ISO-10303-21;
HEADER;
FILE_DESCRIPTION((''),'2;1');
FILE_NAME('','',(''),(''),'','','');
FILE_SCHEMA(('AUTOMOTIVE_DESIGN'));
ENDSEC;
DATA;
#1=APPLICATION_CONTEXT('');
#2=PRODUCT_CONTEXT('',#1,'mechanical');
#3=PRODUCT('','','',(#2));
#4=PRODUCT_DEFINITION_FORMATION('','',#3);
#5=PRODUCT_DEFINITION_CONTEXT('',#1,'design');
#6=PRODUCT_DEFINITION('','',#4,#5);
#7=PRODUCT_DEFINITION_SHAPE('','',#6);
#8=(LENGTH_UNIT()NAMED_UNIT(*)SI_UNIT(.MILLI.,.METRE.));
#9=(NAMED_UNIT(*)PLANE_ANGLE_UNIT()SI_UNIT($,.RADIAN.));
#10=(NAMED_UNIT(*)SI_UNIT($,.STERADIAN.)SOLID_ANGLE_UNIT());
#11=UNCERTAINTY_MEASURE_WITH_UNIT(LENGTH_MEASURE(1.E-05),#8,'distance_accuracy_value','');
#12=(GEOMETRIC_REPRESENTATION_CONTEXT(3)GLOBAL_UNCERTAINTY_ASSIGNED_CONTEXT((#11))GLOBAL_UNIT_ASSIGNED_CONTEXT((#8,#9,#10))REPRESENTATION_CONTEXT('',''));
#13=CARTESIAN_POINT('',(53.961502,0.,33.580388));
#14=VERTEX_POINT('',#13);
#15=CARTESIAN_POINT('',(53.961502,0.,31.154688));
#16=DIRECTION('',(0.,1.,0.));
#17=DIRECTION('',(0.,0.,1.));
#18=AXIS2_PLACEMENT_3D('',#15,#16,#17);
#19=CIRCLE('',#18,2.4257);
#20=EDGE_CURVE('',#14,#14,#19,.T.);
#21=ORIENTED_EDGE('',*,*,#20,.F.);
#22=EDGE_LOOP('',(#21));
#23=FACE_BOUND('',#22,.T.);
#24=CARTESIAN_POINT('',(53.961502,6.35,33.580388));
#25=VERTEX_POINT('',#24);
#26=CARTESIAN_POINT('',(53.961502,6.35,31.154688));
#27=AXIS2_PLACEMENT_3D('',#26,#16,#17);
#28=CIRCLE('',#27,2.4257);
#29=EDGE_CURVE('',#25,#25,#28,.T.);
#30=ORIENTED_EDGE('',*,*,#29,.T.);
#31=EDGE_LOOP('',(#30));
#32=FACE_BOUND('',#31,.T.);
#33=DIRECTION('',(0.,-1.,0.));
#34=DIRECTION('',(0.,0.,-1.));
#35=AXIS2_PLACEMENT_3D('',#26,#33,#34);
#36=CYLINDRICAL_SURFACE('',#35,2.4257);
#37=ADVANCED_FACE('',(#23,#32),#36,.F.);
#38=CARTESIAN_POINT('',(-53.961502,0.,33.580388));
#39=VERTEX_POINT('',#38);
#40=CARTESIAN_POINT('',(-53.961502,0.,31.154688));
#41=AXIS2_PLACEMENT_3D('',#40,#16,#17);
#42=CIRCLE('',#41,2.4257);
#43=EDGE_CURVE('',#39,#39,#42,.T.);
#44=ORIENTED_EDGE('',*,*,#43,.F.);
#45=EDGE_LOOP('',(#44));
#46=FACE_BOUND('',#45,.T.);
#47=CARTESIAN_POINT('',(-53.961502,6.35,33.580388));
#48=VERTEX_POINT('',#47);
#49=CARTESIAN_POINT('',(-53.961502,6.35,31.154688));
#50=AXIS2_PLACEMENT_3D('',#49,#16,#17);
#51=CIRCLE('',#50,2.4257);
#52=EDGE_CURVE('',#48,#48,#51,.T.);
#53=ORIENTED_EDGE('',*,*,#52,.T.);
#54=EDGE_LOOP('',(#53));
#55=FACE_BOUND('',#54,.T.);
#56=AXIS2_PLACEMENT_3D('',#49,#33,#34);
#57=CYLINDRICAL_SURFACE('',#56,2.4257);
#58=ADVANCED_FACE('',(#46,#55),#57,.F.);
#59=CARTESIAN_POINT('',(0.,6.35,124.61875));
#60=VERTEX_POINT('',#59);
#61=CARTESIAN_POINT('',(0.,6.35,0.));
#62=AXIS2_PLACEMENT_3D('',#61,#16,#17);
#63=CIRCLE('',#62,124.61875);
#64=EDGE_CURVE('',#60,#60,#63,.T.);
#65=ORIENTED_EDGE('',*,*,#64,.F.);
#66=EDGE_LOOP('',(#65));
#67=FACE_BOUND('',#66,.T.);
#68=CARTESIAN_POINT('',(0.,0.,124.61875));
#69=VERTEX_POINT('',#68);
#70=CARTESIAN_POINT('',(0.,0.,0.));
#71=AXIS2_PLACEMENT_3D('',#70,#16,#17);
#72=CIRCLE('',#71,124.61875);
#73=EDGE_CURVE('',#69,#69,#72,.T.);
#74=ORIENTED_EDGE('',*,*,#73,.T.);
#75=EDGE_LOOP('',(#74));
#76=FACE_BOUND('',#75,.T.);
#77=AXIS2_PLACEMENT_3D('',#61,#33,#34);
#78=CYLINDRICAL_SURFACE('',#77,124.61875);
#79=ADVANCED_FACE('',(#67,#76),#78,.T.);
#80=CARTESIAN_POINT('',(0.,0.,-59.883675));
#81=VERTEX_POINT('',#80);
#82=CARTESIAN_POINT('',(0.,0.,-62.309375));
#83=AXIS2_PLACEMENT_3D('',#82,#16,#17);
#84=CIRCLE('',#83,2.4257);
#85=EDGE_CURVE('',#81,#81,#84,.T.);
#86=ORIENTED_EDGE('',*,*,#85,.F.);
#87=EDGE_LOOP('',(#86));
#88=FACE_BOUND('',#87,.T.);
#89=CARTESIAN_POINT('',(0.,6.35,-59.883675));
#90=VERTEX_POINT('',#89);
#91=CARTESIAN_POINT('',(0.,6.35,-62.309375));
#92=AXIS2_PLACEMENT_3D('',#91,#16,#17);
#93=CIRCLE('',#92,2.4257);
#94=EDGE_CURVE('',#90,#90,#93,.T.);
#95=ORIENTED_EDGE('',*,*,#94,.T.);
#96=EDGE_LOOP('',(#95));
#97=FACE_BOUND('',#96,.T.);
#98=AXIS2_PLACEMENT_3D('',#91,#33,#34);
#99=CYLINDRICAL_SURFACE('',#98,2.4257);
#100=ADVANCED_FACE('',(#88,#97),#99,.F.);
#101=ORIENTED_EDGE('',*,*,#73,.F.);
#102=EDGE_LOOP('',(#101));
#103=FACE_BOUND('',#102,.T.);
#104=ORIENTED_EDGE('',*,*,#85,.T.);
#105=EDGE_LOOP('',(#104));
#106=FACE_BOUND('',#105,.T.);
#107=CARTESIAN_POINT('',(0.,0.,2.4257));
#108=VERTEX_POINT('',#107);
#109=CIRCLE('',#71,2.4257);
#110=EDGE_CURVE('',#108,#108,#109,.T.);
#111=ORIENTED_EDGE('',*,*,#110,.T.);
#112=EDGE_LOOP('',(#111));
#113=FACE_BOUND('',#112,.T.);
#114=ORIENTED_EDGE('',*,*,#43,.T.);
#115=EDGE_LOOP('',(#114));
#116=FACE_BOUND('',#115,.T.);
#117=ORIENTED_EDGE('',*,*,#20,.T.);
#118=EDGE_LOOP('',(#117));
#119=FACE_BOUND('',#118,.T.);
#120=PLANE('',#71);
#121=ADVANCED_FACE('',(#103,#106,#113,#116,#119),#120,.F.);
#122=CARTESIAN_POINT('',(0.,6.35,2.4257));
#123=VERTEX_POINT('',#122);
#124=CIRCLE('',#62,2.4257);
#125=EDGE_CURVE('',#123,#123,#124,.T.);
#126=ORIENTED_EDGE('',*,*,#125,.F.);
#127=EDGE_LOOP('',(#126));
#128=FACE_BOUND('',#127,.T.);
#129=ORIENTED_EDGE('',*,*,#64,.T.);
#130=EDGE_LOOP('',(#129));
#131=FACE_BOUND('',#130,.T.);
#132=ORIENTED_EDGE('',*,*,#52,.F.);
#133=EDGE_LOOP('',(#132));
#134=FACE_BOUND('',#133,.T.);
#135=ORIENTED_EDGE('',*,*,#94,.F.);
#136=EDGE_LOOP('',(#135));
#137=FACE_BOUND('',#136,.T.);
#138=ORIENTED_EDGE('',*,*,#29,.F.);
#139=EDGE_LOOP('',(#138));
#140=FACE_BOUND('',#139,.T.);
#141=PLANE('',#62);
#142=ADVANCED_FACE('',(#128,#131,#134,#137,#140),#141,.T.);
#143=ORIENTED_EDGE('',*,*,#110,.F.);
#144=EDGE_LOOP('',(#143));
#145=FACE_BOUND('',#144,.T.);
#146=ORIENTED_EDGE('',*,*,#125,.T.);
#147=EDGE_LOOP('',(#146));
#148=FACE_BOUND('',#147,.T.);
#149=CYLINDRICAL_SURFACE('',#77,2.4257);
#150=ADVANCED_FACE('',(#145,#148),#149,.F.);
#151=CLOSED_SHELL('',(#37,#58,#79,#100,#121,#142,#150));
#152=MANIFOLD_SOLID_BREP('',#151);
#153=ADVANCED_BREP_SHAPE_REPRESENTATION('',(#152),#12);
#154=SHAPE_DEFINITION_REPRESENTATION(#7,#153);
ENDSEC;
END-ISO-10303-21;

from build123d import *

# Parameters (mm, degrees)
SKETCH1_R           = 124.61875
SKETCH1_R_2         = 2.4257
BOSS_EXTRUDE1_DEPTH = 6.35


with BuildPart() as part:
    # Sketch1 → Boss-Extrude1 (new body)
    with BuildSketch(Plane(origin=(0, 0, 0), x_dir=(1, 0, 0), z_dir=(0, 1, 0))):
        with Locations(Location((0, 0, 0), (0, 0, 270))):
            Circle(SKETCH1_R)
        with Locations(Location((0, 62.309375, 0), (0, 0, 270))):
            Circle(SKETCH1_R_2, mode=Mode.SUBTRACT)
        with Locations(Location((53.961501644, -31.1546875, 0), (0, 0, 270))):
            Circle(SKETCH1_R_2, mode=Mode.SUBTRACT)
        with Locations(Location((-53.961501644, -31.1546875, 0), (0, 0, 270))):
            Circle(SKETCH1_R_2, mode=Mode.SUBTRACT)
        with Locations(Location((0, 0, 0), (0, 0, 270))):
            Circle(SKETCH1_R_2, mode=Mode.SUBTRACT)
    extrude(amount=BOSS_EXTRUDE1_DEPTH)


solid = part.part
